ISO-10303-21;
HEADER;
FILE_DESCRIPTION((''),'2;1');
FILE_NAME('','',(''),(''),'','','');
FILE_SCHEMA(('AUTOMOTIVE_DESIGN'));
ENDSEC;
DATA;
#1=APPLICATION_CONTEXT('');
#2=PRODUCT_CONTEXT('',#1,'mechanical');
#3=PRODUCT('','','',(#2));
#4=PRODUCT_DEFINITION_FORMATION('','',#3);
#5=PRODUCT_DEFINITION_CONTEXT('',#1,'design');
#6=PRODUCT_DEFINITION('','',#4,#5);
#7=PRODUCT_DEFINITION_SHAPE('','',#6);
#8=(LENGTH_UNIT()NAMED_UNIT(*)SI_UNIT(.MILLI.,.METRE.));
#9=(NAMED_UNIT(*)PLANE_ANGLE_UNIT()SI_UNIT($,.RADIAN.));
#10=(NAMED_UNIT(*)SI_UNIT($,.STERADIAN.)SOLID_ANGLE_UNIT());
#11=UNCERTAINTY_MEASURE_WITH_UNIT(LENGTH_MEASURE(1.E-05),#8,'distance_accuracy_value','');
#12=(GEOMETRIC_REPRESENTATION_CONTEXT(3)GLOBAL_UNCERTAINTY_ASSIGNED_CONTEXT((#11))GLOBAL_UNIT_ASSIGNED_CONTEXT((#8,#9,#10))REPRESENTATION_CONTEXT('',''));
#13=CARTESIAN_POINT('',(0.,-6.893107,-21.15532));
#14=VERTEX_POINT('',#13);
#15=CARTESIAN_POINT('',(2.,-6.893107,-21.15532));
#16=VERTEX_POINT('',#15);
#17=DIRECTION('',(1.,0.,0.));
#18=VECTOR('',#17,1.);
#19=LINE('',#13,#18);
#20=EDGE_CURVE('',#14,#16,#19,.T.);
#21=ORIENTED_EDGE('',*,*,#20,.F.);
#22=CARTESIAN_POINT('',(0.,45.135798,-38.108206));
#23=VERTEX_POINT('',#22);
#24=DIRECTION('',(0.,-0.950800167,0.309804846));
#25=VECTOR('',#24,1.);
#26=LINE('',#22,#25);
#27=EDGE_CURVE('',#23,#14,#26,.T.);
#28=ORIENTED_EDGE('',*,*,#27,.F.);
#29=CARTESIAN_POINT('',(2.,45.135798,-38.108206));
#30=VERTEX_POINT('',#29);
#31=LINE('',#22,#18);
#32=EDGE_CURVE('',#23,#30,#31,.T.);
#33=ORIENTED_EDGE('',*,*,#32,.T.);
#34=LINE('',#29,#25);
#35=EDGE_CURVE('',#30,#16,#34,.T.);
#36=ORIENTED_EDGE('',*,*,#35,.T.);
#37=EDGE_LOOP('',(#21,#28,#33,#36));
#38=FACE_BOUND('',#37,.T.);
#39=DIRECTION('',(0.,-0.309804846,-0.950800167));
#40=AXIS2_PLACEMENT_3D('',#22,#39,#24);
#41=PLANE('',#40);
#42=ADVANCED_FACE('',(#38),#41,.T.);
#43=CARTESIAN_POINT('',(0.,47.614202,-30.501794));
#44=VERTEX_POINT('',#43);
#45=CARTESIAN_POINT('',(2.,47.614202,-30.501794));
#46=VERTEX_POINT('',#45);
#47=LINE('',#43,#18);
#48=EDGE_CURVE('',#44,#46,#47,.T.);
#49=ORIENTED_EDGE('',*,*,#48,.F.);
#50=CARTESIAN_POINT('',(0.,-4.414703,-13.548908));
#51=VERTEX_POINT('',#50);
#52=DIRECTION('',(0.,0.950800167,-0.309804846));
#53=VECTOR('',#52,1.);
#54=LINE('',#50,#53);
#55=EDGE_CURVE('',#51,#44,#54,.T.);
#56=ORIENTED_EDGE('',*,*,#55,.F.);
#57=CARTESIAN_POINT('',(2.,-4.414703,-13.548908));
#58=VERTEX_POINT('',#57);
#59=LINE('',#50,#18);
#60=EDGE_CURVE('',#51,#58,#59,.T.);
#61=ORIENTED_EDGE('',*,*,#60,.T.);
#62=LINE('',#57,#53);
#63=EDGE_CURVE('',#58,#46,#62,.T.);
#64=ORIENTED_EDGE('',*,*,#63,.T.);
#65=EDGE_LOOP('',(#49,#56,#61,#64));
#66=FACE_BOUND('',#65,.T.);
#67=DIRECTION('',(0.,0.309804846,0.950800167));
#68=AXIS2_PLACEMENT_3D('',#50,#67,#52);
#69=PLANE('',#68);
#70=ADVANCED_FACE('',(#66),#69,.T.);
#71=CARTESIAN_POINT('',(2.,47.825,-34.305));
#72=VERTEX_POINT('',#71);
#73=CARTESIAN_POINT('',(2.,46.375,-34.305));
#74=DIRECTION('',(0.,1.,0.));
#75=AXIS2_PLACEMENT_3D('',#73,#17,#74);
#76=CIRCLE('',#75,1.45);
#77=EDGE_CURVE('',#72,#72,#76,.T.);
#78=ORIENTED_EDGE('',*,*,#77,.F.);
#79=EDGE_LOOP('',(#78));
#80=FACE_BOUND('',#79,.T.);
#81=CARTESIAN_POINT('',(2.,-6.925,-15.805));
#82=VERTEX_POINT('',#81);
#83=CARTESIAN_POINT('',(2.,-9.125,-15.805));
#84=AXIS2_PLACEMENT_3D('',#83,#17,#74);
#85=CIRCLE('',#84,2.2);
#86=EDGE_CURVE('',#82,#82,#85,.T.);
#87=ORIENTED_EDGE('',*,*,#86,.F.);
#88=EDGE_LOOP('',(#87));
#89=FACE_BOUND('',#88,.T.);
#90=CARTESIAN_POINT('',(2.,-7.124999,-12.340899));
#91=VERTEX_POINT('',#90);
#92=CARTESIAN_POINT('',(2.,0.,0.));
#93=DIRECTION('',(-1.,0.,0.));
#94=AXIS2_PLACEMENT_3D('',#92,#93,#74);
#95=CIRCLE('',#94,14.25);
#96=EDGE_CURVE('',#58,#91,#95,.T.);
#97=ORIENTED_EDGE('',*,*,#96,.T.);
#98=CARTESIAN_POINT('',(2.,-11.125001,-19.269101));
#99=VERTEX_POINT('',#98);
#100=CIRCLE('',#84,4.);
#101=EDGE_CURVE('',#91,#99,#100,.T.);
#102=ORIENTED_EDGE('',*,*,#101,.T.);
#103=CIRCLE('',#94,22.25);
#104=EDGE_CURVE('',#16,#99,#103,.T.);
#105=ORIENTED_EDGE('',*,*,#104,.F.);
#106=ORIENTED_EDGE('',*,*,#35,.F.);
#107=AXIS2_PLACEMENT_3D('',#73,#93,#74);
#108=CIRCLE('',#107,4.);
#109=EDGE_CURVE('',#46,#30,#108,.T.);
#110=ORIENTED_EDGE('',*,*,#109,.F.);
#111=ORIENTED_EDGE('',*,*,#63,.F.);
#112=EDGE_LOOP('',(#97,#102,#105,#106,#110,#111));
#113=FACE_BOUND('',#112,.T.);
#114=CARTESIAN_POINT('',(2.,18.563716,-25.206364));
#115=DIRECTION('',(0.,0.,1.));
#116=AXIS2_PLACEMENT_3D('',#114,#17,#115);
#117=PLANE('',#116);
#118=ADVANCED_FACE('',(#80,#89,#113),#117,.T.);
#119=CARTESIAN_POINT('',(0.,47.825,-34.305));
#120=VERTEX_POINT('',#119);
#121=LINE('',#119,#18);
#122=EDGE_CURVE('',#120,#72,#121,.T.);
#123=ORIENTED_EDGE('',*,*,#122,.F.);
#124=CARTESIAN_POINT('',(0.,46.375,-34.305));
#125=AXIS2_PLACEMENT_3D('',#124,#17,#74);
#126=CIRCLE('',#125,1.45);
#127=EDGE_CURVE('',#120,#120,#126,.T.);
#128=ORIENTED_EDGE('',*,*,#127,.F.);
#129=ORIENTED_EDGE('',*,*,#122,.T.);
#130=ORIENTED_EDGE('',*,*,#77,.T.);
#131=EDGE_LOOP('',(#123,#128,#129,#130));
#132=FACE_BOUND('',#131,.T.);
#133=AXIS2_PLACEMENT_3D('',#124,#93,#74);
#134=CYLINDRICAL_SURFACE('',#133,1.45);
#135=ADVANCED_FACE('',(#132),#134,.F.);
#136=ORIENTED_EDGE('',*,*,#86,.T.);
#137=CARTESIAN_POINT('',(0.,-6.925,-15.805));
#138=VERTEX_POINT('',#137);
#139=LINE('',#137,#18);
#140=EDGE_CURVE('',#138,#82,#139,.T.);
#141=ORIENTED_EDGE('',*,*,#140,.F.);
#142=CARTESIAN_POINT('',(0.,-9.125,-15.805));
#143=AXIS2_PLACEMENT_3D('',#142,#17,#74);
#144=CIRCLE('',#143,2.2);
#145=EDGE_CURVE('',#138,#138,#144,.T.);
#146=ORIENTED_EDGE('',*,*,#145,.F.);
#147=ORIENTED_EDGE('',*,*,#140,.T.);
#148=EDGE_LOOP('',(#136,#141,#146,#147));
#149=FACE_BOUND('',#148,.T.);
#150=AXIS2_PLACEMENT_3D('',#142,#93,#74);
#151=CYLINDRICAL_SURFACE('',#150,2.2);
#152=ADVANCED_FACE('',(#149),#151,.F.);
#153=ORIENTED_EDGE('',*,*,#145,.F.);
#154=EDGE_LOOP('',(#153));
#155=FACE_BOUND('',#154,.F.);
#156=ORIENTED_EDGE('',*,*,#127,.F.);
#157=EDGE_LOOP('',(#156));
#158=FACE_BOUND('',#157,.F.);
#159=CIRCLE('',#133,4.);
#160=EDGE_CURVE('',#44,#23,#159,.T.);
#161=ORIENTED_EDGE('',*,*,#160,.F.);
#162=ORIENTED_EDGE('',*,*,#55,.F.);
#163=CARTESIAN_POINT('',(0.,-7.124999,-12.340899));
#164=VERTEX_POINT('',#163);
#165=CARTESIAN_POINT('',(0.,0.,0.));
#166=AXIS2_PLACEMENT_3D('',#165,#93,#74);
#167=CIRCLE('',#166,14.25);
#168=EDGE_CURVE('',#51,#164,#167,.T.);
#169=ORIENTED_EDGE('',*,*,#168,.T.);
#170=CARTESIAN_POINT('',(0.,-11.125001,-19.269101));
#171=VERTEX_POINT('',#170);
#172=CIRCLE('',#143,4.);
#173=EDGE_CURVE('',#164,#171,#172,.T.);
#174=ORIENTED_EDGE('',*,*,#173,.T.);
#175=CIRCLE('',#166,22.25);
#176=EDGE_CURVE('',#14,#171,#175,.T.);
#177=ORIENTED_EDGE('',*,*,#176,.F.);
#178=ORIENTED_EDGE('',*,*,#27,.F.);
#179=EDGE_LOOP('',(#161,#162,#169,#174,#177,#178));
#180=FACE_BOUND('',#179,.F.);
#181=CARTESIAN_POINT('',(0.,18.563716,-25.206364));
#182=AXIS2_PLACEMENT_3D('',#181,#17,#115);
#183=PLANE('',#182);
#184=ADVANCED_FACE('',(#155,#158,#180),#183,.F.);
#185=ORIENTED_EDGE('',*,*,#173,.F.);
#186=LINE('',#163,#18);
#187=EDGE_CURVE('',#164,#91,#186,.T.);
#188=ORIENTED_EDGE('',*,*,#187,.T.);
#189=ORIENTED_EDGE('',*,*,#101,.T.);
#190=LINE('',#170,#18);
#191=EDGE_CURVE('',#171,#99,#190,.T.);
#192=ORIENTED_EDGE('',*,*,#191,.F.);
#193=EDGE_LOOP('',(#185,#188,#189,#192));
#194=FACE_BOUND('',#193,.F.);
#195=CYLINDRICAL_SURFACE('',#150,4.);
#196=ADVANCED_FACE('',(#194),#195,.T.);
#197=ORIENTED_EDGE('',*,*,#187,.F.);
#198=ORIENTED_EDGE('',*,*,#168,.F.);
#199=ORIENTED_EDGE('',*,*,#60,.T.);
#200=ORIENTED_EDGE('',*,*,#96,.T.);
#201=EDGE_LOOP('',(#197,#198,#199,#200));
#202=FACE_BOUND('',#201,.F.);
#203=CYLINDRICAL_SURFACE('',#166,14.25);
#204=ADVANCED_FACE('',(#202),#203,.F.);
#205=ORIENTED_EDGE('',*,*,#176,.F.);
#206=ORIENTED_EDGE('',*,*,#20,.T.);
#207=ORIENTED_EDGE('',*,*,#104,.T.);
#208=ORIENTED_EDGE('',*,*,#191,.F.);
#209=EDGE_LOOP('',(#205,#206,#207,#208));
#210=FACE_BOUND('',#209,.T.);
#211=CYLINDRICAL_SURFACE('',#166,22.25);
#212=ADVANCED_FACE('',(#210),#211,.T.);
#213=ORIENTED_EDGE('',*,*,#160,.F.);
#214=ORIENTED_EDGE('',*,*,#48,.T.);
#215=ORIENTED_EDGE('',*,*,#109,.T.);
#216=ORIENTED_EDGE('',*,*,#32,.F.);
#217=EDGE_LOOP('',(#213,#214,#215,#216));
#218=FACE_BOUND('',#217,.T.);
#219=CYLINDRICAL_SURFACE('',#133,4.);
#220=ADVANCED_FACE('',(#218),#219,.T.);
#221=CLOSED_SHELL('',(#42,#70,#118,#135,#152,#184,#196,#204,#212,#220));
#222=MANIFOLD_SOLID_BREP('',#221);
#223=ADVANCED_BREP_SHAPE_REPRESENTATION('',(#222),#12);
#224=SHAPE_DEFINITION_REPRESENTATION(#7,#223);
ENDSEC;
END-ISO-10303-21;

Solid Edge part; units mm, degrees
sketch "Sketch1" plane through (0, 0, 0) normal (1, 0, 0) x (0, 1, 0)
  arc A0 (-7.125, -12.3409) -> (-11.125, -19.2691) centre (-9.125, -15.805) ccw
  arc A1 (-6.8931, -21.1553) -> (-11.125, -19.2691) centre (0, 0) cw
  line L0 (45.1358, -38.1082) -> (-6.8931, -21.1553)
  arc A2 (47.6142, -30.5018) -> (45.1358, -38.1082) centre (46.375, -34.305) cw
  line L1 (-4.4147, -13.5489) -> (47.6142, -30.5018)
  arc A3 (-4.4147, -13.5489) -> (-7.125, -12.3409) centre (0, 0) cw
  circle A4 centre (-9.125, -15.805) radius 2.2
  circle A5 centre (46.375, -34.305) radius 1.45
  dimension "D1" = 4.4
  dimension "D2" = 2.9
extrude "Protrusion1" add sketch "Sketch1" along normal blind 2
